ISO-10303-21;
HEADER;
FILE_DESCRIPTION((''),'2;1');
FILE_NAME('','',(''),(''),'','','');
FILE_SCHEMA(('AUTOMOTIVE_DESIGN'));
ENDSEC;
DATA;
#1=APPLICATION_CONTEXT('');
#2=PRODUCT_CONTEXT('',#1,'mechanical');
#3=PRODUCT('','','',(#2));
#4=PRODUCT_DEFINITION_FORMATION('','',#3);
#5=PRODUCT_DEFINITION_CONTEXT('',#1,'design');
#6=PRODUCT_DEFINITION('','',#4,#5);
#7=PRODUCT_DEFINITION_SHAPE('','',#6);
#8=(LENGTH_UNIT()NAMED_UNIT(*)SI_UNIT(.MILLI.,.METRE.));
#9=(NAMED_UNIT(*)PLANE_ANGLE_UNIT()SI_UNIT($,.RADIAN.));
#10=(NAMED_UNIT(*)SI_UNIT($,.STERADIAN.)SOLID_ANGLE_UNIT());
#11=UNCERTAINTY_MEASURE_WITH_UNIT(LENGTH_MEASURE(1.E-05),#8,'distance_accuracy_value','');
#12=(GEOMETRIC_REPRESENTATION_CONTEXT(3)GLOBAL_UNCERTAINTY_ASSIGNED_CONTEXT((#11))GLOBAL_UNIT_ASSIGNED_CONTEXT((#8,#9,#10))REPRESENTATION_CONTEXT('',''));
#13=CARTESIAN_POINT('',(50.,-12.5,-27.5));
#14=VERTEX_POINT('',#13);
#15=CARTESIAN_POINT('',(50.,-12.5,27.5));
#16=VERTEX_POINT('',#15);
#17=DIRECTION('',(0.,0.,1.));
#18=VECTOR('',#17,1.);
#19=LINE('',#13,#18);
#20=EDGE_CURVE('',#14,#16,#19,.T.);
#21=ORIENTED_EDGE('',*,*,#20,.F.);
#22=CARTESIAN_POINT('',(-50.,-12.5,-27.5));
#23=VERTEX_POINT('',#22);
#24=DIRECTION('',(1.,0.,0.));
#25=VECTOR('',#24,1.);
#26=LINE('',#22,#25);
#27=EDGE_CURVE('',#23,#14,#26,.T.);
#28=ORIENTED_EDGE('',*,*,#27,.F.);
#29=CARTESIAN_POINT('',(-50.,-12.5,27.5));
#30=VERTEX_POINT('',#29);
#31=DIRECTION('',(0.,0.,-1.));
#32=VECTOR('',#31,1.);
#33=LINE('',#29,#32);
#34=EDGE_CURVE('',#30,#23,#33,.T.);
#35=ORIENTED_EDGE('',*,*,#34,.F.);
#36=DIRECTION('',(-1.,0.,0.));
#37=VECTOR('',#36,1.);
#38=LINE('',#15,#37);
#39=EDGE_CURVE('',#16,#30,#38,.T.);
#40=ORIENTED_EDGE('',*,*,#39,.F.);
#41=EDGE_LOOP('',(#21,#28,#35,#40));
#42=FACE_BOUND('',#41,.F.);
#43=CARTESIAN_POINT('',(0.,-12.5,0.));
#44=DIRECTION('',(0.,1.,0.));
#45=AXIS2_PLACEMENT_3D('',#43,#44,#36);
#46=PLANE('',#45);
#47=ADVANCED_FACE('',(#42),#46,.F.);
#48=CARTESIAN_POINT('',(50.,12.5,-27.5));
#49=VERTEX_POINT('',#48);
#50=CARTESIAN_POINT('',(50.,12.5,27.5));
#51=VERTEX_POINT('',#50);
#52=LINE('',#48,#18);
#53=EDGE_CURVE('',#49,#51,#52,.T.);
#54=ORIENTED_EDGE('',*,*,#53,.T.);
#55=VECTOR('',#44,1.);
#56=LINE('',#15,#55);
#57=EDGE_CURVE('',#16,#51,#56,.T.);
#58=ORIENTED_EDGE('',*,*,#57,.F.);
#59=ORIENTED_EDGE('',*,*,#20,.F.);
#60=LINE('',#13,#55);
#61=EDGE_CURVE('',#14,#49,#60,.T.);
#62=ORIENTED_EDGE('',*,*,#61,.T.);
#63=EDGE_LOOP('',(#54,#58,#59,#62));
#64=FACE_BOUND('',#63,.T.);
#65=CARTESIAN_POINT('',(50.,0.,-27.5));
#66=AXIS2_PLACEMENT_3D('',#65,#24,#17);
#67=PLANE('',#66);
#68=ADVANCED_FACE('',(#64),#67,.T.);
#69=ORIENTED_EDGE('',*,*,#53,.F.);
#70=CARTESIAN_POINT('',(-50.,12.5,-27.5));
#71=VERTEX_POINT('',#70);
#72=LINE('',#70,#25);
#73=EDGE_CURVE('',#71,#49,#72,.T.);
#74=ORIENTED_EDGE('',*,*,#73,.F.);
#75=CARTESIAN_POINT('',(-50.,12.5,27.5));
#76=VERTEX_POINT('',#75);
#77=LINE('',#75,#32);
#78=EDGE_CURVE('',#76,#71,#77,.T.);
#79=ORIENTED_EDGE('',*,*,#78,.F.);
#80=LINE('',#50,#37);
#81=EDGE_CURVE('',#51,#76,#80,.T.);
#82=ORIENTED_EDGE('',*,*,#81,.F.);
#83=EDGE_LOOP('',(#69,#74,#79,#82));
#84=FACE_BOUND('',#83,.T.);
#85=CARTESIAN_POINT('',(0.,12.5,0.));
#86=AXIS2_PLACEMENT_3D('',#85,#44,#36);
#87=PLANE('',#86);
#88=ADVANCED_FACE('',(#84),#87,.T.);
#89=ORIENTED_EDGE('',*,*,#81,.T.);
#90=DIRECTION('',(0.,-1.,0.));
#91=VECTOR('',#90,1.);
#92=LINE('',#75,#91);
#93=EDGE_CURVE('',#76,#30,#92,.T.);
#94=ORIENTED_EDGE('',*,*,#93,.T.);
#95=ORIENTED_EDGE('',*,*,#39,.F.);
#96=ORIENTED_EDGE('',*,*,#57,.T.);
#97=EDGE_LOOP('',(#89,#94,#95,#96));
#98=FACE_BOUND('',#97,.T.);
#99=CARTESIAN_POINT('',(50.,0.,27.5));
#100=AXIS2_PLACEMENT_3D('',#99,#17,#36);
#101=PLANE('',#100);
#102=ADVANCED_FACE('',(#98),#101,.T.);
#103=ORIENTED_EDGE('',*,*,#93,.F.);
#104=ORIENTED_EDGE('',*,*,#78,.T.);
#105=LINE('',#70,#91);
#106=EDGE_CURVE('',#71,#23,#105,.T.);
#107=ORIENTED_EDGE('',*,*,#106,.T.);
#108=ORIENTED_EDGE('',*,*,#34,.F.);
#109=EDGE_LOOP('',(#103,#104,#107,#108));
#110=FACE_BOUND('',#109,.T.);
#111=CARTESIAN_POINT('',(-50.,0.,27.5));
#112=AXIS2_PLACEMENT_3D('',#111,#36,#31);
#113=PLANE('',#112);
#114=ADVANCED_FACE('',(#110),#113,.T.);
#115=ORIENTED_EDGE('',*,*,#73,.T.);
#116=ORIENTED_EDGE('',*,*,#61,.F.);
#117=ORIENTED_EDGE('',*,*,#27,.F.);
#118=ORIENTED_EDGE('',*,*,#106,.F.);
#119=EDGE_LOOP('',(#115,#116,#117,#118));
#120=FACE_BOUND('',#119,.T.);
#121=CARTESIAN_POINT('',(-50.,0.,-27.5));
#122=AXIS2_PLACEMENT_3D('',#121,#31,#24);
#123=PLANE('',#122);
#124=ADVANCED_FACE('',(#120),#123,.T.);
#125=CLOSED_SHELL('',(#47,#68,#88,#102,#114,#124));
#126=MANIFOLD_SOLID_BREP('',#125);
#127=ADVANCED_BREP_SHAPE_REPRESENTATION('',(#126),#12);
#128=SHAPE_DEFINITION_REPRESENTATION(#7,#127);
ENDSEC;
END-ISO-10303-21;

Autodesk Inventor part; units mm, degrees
ref_plane "YZ Plane" through (0, 0, 0) normal (1, 0, 0) x (0, 1, 0)
ref_plane "XZ Plane" through (0, 0, 0) normal (0, 1, 0) x (-1, 0, 0)
ref_plane "XY Plane" through (0, 0, 0) normal (0, 0, 1) x (1, 0, 0)
sketch "Sketch1" plane through (0, 0, 0) normal (0, 1, 0) x (-1, 0, 0)
  line L0 (-50, 27.5) -> (50, 27.5)
  line L1 (50, 27.5) -> (50, -27.5)
  line L2 (50, -27.5) -> (-50, -27.5)
  line L3 (-50, -27.5) -> (-50, 27.5)
  line L4 (-50, 27.5) -> (50, -27.5) construction
  line L5 (50, 27.5) -> (-50, -27.5) construction
  point P0 (0, 0)
  dimension "d0" = 100
  dimension "d1" = 55
extrude "Extrusion1" add sketch "Sketch1" along normal mid plane 25
equation "\"d0\" = stock_xw"
equation "\"d1\" = stock_yw"
equation "\"d2\" = stock_zw"
equation "\"stock_xw\" = 100"
equation "\"stock_yw\" = 55"
equation "\"stock_zw\" = 25"
properties part number "SquareStock"
